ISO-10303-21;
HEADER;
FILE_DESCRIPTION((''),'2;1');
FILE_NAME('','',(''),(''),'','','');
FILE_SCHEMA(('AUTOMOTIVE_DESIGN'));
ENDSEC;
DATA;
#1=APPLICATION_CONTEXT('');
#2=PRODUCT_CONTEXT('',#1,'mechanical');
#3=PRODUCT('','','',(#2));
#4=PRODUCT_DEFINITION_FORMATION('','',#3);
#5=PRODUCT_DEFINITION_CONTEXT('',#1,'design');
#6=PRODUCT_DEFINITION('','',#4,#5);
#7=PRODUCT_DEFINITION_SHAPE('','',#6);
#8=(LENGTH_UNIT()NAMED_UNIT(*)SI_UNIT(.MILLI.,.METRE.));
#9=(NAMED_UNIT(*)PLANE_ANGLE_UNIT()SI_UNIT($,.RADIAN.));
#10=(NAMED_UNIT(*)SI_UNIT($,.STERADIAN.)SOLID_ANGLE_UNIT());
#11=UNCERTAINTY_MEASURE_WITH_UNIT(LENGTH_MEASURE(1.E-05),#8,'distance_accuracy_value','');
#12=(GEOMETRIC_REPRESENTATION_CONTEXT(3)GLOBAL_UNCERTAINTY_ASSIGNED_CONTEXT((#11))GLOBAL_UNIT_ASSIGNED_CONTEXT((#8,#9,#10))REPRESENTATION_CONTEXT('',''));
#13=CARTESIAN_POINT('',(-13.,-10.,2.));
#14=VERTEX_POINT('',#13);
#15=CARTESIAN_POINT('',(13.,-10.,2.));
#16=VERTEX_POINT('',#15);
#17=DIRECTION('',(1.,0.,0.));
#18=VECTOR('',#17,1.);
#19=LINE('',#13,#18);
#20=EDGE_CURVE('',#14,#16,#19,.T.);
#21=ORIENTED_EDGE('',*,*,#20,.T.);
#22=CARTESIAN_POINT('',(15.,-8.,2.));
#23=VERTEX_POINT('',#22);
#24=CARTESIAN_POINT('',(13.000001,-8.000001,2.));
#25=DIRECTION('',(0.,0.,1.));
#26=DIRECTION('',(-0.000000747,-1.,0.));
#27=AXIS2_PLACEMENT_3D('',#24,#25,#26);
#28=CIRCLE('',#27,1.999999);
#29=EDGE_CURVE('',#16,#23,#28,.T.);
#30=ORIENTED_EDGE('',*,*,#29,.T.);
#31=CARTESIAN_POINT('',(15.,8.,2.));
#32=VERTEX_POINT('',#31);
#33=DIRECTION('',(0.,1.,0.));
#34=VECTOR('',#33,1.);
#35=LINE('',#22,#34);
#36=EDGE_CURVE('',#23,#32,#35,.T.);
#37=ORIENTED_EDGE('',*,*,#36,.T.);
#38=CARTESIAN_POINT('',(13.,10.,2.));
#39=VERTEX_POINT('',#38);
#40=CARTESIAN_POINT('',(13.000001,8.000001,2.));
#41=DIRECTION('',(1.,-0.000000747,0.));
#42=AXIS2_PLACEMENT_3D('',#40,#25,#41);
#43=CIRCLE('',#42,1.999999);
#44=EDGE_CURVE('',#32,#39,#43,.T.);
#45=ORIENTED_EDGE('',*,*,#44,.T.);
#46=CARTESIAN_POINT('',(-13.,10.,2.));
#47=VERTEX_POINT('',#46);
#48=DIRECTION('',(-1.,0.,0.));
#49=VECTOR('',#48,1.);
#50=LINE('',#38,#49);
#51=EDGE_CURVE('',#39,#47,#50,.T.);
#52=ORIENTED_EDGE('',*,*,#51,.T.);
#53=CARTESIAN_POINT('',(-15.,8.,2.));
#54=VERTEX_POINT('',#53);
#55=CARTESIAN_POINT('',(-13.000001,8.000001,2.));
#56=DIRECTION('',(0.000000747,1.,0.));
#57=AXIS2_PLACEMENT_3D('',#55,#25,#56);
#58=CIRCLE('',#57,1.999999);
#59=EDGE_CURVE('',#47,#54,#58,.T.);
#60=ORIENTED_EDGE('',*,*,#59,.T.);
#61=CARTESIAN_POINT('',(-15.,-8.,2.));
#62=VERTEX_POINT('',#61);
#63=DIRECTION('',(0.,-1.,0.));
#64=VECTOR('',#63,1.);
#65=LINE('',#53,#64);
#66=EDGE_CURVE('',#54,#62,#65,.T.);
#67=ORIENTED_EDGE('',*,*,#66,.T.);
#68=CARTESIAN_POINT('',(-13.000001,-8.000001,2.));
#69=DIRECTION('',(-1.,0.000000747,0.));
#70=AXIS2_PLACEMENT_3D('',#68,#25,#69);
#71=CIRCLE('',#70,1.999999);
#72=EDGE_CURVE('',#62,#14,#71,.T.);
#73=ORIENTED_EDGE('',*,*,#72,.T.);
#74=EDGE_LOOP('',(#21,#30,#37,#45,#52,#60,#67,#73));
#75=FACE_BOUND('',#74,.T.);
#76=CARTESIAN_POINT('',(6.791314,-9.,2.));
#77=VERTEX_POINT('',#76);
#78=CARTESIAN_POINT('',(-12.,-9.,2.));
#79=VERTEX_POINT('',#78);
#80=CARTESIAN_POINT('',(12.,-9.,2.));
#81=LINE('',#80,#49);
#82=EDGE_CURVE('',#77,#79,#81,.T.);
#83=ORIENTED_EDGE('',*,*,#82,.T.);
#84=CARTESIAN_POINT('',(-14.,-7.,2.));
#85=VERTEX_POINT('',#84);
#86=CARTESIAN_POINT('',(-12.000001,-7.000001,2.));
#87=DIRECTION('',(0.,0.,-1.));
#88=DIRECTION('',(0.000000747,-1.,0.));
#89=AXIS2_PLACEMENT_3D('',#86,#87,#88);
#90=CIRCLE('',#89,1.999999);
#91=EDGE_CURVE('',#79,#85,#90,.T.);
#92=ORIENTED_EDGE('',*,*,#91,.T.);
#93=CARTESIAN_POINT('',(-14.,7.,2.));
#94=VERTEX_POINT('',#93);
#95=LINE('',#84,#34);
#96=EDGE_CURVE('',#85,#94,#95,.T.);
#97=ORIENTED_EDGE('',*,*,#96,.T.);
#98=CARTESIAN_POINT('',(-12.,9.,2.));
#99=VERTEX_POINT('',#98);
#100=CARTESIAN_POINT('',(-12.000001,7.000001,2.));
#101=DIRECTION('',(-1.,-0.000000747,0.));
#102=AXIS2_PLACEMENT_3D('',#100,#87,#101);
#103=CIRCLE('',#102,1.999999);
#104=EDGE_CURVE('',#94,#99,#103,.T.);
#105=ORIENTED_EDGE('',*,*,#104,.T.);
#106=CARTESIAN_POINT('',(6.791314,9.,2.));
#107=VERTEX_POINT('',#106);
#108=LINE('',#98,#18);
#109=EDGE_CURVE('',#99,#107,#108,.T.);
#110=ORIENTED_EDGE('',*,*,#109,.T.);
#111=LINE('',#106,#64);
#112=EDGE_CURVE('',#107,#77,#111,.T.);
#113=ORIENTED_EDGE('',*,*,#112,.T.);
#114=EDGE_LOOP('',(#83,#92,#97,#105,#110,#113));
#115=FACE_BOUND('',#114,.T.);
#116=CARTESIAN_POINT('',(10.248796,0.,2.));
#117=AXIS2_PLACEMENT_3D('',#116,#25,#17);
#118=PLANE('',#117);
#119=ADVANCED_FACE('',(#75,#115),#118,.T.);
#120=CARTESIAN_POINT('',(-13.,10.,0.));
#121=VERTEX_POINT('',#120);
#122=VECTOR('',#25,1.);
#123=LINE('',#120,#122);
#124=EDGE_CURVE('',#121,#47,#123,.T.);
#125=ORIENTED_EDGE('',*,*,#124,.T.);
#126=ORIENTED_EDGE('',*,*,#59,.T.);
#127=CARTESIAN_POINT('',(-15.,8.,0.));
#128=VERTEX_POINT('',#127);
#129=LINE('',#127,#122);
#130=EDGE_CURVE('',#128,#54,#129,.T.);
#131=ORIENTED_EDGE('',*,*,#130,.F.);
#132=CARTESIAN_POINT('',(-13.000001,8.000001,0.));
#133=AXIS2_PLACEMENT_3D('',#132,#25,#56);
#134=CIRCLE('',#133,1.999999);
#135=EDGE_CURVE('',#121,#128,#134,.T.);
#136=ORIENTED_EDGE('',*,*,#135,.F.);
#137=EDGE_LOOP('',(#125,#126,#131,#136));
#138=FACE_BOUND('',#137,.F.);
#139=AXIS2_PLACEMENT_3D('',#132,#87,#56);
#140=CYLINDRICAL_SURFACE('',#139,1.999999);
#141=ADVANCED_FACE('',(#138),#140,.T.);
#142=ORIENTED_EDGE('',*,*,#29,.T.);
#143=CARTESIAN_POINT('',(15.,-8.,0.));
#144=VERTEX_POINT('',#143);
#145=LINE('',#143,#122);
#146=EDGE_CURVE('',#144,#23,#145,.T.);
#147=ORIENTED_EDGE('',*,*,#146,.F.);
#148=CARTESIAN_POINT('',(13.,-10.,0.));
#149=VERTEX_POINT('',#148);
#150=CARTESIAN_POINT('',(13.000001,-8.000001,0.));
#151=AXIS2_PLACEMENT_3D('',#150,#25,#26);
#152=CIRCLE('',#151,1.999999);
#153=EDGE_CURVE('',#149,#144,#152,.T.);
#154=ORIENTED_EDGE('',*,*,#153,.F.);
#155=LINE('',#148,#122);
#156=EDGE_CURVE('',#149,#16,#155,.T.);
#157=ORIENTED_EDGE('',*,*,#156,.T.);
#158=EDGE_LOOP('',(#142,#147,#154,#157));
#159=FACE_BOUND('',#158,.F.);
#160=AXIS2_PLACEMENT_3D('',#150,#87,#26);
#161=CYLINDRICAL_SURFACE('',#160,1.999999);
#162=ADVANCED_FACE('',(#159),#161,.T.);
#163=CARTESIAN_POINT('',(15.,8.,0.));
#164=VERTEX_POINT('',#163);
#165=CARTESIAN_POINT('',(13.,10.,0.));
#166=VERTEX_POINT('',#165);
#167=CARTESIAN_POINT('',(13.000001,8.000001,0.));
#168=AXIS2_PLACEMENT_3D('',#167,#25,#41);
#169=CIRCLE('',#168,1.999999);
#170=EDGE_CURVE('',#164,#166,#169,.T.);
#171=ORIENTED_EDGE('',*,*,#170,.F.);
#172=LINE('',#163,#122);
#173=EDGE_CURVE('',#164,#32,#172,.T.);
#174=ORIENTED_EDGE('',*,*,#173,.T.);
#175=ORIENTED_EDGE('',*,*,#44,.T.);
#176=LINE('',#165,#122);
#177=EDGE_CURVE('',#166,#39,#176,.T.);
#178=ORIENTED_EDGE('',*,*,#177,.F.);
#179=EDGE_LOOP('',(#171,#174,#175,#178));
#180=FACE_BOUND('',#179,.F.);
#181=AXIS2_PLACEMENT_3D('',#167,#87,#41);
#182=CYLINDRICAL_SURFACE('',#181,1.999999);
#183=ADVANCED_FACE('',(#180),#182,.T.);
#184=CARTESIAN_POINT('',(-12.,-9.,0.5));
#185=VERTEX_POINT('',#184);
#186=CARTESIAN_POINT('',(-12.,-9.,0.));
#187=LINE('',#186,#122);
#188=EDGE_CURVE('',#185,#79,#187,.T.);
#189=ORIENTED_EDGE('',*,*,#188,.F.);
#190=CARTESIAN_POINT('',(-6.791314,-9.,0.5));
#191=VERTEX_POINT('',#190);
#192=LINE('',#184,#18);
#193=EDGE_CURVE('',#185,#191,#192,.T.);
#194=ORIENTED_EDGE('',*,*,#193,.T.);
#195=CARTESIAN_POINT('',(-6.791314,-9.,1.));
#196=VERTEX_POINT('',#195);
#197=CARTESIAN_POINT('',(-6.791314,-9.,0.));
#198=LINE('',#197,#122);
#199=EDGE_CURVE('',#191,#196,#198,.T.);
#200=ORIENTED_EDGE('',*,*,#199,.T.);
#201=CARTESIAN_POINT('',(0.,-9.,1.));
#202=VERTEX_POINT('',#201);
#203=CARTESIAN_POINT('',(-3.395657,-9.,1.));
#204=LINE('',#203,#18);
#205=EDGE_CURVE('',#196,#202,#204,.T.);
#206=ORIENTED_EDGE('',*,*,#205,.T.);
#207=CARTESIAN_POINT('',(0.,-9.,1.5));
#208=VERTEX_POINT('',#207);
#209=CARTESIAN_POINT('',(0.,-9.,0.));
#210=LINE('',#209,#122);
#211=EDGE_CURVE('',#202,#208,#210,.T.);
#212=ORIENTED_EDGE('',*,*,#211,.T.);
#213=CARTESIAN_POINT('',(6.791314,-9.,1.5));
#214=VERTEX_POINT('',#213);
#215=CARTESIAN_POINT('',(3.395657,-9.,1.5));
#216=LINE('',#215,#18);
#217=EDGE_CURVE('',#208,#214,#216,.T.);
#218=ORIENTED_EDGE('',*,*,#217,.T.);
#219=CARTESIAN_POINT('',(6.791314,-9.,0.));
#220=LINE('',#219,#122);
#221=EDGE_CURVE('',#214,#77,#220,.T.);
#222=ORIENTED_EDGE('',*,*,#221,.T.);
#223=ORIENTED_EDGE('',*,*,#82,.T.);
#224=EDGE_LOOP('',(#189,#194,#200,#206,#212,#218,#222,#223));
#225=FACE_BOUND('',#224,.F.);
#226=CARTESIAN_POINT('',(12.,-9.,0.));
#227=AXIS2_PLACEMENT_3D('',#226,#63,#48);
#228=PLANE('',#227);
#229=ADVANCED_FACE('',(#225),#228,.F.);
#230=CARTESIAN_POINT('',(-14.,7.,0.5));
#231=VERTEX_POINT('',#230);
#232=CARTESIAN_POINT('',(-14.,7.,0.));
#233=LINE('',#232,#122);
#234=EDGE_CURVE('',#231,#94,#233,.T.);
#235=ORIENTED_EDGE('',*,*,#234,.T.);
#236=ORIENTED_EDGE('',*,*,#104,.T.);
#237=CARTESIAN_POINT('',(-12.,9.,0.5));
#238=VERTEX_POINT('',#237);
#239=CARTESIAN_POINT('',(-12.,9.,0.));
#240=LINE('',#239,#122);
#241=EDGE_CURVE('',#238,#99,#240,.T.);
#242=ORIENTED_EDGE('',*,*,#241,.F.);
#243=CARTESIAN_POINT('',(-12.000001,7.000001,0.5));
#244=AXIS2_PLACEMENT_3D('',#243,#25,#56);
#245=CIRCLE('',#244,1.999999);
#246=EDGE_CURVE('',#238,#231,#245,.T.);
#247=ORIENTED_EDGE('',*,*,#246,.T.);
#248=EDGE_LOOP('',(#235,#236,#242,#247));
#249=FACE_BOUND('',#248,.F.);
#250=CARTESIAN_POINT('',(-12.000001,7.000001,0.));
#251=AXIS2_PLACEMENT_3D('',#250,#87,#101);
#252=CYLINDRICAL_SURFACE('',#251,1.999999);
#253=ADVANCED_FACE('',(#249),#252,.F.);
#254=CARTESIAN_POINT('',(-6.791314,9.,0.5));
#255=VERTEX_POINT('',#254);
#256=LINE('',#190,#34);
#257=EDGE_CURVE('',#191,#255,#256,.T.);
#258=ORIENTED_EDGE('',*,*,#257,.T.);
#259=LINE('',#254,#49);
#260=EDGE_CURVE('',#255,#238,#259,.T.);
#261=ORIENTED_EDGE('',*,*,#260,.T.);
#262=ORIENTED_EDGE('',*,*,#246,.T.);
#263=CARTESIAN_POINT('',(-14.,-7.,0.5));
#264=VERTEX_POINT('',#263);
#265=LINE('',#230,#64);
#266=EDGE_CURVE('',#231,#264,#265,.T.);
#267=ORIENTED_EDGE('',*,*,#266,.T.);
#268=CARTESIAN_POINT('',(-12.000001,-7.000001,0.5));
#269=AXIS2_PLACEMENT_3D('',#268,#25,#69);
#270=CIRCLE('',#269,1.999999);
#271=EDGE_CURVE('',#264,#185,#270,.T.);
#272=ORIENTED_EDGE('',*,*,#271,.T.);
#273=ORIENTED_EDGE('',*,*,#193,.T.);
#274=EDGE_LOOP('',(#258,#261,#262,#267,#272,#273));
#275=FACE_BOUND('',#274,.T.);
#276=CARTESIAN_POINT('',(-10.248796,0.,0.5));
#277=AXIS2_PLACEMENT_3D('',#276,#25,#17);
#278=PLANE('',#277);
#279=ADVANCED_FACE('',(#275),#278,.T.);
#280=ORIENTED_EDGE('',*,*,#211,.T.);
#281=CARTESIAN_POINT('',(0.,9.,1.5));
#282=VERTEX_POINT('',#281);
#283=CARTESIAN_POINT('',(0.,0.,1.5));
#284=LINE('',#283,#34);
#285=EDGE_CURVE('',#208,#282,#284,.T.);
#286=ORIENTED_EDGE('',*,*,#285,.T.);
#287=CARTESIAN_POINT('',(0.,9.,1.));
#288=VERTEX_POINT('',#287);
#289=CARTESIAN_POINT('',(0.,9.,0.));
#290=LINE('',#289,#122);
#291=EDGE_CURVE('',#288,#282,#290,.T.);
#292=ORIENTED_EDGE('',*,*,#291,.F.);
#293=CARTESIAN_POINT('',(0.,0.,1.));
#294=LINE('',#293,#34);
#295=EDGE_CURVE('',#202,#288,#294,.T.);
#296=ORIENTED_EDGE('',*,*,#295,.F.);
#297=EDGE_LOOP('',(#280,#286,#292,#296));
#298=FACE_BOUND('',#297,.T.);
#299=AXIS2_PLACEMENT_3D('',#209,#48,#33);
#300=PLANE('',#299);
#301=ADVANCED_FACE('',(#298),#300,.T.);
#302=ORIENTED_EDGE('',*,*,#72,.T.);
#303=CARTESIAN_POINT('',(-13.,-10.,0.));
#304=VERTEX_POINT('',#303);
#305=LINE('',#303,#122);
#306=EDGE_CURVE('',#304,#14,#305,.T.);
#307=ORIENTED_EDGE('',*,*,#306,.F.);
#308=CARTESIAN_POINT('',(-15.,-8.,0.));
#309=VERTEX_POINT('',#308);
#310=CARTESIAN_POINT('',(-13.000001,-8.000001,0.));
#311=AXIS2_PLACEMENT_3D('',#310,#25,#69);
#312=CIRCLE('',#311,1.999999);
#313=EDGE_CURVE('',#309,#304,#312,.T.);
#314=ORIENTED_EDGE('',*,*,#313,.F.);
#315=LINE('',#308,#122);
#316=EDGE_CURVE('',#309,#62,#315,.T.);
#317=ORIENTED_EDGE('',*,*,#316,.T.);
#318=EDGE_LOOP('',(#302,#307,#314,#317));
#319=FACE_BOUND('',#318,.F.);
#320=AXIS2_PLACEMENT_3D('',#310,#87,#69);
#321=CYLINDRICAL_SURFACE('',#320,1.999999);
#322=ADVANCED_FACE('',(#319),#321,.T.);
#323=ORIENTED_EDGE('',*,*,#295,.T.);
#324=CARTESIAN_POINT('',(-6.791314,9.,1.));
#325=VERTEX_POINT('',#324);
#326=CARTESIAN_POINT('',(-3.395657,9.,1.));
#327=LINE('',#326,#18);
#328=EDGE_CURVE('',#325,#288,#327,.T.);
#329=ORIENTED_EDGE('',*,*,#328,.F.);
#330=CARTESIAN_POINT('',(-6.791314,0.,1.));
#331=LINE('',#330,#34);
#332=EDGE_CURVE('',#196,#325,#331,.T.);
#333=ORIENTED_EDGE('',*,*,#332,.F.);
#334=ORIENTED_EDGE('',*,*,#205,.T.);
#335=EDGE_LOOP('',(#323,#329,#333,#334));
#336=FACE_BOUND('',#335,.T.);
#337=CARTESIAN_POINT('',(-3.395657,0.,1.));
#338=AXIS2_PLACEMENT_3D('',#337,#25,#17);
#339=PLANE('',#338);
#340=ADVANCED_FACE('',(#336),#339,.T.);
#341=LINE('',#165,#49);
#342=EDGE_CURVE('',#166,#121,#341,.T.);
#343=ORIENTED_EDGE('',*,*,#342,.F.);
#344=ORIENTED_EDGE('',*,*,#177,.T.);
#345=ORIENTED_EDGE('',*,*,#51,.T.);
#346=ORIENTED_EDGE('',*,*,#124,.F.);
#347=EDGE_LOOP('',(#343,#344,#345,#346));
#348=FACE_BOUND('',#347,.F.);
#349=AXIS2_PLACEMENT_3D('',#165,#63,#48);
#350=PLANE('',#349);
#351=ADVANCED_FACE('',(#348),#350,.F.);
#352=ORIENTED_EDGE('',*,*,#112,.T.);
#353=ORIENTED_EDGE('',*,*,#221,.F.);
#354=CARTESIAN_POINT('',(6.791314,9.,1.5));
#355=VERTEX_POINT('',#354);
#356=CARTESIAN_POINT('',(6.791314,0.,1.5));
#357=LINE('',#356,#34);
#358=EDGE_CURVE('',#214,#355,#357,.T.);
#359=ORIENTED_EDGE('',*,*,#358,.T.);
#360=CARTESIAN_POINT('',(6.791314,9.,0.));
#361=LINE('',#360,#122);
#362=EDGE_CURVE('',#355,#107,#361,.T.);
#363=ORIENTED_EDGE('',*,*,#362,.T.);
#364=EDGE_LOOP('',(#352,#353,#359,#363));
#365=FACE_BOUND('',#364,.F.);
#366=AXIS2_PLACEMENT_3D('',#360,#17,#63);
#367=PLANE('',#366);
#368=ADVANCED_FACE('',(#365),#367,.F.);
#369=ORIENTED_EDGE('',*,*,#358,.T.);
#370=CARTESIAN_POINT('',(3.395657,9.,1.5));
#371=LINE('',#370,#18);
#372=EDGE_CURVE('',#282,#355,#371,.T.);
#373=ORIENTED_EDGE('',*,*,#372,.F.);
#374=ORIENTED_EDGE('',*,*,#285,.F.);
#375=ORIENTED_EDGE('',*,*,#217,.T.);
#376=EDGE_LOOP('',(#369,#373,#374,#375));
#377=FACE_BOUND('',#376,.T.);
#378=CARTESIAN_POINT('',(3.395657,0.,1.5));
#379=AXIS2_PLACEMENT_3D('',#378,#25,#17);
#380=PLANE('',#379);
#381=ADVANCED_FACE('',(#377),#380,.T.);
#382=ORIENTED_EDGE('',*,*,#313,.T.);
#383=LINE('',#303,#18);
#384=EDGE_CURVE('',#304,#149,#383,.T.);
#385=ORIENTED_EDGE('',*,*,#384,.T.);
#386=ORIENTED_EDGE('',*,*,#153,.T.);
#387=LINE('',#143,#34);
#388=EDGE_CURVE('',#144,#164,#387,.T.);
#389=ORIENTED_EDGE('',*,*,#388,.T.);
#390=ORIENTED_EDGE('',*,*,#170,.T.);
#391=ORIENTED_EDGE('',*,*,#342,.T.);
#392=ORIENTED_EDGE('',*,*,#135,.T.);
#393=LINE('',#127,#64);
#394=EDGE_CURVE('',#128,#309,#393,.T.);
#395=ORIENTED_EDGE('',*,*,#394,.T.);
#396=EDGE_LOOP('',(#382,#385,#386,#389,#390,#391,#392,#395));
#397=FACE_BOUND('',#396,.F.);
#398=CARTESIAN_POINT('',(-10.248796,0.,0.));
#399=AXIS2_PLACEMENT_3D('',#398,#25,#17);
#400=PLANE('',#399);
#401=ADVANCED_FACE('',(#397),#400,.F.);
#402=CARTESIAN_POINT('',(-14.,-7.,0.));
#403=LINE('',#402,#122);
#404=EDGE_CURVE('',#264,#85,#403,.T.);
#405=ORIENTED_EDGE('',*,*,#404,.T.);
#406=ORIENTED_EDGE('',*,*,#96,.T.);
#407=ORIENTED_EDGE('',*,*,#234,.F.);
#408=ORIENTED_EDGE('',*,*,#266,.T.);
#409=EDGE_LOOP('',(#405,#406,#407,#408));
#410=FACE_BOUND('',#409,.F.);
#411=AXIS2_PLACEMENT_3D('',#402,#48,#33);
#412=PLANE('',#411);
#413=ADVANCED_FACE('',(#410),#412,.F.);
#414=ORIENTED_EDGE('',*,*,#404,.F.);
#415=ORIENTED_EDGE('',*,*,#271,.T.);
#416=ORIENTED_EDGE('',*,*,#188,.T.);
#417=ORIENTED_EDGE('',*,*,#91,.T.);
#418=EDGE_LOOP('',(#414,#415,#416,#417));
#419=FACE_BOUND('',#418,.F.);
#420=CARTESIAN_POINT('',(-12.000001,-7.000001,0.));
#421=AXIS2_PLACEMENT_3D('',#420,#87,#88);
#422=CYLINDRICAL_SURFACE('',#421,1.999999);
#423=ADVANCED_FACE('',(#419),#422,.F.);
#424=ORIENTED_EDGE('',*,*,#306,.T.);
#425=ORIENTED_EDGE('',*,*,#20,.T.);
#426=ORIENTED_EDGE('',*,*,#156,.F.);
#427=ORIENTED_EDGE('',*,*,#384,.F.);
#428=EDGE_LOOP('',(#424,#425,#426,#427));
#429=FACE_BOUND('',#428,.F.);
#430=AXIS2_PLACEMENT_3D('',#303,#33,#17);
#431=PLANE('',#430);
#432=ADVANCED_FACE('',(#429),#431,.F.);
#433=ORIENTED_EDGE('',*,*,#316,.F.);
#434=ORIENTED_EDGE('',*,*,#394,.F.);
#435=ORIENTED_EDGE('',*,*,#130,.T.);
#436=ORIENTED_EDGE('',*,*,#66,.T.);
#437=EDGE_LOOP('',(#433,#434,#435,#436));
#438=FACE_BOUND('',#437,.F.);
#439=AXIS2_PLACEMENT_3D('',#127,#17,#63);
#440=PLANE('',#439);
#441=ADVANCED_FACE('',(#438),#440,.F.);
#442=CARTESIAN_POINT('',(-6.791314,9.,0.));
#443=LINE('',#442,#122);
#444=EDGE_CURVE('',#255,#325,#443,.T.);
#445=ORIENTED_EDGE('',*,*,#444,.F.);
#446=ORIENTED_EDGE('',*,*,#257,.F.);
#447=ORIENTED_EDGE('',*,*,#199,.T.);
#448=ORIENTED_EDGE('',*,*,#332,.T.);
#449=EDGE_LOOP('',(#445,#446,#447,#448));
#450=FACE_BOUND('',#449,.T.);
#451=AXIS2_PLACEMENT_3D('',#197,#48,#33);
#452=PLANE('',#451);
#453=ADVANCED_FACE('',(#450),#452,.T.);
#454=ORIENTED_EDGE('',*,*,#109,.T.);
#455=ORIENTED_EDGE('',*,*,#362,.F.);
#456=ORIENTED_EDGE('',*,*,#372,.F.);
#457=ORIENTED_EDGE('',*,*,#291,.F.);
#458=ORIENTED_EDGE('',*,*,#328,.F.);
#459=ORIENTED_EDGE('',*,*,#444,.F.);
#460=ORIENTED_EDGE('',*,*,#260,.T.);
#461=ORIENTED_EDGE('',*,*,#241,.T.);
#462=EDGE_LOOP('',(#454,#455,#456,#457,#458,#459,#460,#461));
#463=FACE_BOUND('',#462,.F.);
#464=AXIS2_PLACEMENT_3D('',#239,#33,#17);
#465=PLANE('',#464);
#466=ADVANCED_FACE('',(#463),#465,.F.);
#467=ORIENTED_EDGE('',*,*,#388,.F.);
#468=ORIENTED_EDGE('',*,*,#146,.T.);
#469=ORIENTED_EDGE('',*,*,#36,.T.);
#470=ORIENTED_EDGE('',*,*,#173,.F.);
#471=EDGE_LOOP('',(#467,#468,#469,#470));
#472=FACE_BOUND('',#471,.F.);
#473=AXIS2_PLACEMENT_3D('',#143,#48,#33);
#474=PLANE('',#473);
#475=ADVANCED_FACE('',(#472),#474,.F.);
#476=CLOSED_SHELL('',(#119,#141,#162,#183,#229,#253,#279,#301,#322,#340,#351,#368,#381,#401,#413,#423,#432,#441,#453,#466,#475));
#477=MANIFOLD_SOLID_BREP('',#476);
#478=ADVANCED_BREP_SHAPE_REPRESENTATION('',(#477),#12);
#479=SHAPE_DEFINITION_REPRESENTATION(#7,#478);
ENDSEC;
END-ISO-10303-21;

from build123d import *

# Parameters (mm, degrees)
F1_DEPTH = 2
F2_DEPTH = 0.5
F0_W     = 6.791314
F0_H     = 18
F3_DEPTH = 1.5
F4_DEPTH = 1
F5_DEPTH = 2


with BuildPart() as f1:
    # F0 (on Top) → F1 (new body)
    with BuildSketch(Plane.XY):
        with BuildLine():
            ThreePointArc((-15, -8), (-14.414214, -9.414214), (-13, -10))
            Line((-13, -10), (13, -10))
            ThreePointArc((13, -10), (14.414214, -9.414214), (15, -8))
            Line((15, -8), (15, 8))
            ThreePointArc((15, 8), (14.414214, 9.414214), (13, 10))
            Line((13, 10), (-13, 10))
            ThreePointArc((-13, 10), (-14.414214, 9.414214), (-15, 8))
            Line((-15, 8), (-15, -8))
        make_face()
        with BuildLine():
            ThreePointArc((-14, 7), (-13.414214, 8.414214), (-12, 9))
            Line((-12, 9), (-6.791314, 9))
            Line((-6.791314, 9), (0, 9))
            Line((0, 9), (6.791314, 9))
            Line((6.791314, 9), (12, 9))
            ThreePointArc((12, 9), (13.414214, 8.414214), (14, 7))
            Line((14, 7), (14, -7))
            ThreePointArc((14, -7), (13.414214, -8.414214), (12, -9))
            Line((12, -9), (6.791314, -9))
            Line((6.791314, -9), (0, -9))
            Line((0, -9), (-6.791314, -9))
            Line((-6.791314, -9), (-12, -9))
            ThreePointArc((-12, -9), (-13.414214, -8.414214), (-14, -7))
            Line((-14, -7), (-14, 7))
        make_face(mode=Mode.SUBTRACT)
    extrude(amount=F1_DEPTH)

    # F0 (on Top) → F2 (join)
    with BuildSketch(Plane.XY):
        with BuildLine():
            Line((-6.791314, 9), (-12, 9))
            ThreePointArc((-12, 9), (-13.414214, 8.414214), (-14, 7))
            Line((-14, 7), (-14, -7))
            ThreePointArc((-14, -7), (-13.414214, -8.414214), (-12, -9))
            Line((-12, -9), (-6.791314, -9))
            Line((-6.791314, -9), (-6.791314, 9))
        make_face()
    extrude(amount=F2_DEPTH)

    # F0 (on Top) → F3 (join)
    with BuildSketch(Plane.XY):
        with Locations((3.395657, 0)):
            Rectangle(F0_W, F0_H)
    extrude(amount=F3_DEPTH)

    # F0 (on Top) → F4 (join)
    with BuildSketch(Plane.XY):
        with Locations((-3.395657, 0)):
            Rectangle(F0_W, F0_H)
    extrude(amount=F4_DEPTH)

    # F0 (on Top) → F5 (join)
    with BuildSketch(Plane.XY):
        with BuildLine():
            Line((12, 9), (6.791314, 9))
            Line((6.791314, 9), (6.791314, -9))
            Line((6.791314, -9), (12, -9))
            ThreePointArc((12, -9), (13.414214, -8.414214), (14, -7))
            Line((14, -7), (14, 7))
            ThreePointArc((14, 7), (13.414214, 8.414214), (12, 9))
        make_face()
    extrude(amount=F5_DEPTH)


solid = f1.part
